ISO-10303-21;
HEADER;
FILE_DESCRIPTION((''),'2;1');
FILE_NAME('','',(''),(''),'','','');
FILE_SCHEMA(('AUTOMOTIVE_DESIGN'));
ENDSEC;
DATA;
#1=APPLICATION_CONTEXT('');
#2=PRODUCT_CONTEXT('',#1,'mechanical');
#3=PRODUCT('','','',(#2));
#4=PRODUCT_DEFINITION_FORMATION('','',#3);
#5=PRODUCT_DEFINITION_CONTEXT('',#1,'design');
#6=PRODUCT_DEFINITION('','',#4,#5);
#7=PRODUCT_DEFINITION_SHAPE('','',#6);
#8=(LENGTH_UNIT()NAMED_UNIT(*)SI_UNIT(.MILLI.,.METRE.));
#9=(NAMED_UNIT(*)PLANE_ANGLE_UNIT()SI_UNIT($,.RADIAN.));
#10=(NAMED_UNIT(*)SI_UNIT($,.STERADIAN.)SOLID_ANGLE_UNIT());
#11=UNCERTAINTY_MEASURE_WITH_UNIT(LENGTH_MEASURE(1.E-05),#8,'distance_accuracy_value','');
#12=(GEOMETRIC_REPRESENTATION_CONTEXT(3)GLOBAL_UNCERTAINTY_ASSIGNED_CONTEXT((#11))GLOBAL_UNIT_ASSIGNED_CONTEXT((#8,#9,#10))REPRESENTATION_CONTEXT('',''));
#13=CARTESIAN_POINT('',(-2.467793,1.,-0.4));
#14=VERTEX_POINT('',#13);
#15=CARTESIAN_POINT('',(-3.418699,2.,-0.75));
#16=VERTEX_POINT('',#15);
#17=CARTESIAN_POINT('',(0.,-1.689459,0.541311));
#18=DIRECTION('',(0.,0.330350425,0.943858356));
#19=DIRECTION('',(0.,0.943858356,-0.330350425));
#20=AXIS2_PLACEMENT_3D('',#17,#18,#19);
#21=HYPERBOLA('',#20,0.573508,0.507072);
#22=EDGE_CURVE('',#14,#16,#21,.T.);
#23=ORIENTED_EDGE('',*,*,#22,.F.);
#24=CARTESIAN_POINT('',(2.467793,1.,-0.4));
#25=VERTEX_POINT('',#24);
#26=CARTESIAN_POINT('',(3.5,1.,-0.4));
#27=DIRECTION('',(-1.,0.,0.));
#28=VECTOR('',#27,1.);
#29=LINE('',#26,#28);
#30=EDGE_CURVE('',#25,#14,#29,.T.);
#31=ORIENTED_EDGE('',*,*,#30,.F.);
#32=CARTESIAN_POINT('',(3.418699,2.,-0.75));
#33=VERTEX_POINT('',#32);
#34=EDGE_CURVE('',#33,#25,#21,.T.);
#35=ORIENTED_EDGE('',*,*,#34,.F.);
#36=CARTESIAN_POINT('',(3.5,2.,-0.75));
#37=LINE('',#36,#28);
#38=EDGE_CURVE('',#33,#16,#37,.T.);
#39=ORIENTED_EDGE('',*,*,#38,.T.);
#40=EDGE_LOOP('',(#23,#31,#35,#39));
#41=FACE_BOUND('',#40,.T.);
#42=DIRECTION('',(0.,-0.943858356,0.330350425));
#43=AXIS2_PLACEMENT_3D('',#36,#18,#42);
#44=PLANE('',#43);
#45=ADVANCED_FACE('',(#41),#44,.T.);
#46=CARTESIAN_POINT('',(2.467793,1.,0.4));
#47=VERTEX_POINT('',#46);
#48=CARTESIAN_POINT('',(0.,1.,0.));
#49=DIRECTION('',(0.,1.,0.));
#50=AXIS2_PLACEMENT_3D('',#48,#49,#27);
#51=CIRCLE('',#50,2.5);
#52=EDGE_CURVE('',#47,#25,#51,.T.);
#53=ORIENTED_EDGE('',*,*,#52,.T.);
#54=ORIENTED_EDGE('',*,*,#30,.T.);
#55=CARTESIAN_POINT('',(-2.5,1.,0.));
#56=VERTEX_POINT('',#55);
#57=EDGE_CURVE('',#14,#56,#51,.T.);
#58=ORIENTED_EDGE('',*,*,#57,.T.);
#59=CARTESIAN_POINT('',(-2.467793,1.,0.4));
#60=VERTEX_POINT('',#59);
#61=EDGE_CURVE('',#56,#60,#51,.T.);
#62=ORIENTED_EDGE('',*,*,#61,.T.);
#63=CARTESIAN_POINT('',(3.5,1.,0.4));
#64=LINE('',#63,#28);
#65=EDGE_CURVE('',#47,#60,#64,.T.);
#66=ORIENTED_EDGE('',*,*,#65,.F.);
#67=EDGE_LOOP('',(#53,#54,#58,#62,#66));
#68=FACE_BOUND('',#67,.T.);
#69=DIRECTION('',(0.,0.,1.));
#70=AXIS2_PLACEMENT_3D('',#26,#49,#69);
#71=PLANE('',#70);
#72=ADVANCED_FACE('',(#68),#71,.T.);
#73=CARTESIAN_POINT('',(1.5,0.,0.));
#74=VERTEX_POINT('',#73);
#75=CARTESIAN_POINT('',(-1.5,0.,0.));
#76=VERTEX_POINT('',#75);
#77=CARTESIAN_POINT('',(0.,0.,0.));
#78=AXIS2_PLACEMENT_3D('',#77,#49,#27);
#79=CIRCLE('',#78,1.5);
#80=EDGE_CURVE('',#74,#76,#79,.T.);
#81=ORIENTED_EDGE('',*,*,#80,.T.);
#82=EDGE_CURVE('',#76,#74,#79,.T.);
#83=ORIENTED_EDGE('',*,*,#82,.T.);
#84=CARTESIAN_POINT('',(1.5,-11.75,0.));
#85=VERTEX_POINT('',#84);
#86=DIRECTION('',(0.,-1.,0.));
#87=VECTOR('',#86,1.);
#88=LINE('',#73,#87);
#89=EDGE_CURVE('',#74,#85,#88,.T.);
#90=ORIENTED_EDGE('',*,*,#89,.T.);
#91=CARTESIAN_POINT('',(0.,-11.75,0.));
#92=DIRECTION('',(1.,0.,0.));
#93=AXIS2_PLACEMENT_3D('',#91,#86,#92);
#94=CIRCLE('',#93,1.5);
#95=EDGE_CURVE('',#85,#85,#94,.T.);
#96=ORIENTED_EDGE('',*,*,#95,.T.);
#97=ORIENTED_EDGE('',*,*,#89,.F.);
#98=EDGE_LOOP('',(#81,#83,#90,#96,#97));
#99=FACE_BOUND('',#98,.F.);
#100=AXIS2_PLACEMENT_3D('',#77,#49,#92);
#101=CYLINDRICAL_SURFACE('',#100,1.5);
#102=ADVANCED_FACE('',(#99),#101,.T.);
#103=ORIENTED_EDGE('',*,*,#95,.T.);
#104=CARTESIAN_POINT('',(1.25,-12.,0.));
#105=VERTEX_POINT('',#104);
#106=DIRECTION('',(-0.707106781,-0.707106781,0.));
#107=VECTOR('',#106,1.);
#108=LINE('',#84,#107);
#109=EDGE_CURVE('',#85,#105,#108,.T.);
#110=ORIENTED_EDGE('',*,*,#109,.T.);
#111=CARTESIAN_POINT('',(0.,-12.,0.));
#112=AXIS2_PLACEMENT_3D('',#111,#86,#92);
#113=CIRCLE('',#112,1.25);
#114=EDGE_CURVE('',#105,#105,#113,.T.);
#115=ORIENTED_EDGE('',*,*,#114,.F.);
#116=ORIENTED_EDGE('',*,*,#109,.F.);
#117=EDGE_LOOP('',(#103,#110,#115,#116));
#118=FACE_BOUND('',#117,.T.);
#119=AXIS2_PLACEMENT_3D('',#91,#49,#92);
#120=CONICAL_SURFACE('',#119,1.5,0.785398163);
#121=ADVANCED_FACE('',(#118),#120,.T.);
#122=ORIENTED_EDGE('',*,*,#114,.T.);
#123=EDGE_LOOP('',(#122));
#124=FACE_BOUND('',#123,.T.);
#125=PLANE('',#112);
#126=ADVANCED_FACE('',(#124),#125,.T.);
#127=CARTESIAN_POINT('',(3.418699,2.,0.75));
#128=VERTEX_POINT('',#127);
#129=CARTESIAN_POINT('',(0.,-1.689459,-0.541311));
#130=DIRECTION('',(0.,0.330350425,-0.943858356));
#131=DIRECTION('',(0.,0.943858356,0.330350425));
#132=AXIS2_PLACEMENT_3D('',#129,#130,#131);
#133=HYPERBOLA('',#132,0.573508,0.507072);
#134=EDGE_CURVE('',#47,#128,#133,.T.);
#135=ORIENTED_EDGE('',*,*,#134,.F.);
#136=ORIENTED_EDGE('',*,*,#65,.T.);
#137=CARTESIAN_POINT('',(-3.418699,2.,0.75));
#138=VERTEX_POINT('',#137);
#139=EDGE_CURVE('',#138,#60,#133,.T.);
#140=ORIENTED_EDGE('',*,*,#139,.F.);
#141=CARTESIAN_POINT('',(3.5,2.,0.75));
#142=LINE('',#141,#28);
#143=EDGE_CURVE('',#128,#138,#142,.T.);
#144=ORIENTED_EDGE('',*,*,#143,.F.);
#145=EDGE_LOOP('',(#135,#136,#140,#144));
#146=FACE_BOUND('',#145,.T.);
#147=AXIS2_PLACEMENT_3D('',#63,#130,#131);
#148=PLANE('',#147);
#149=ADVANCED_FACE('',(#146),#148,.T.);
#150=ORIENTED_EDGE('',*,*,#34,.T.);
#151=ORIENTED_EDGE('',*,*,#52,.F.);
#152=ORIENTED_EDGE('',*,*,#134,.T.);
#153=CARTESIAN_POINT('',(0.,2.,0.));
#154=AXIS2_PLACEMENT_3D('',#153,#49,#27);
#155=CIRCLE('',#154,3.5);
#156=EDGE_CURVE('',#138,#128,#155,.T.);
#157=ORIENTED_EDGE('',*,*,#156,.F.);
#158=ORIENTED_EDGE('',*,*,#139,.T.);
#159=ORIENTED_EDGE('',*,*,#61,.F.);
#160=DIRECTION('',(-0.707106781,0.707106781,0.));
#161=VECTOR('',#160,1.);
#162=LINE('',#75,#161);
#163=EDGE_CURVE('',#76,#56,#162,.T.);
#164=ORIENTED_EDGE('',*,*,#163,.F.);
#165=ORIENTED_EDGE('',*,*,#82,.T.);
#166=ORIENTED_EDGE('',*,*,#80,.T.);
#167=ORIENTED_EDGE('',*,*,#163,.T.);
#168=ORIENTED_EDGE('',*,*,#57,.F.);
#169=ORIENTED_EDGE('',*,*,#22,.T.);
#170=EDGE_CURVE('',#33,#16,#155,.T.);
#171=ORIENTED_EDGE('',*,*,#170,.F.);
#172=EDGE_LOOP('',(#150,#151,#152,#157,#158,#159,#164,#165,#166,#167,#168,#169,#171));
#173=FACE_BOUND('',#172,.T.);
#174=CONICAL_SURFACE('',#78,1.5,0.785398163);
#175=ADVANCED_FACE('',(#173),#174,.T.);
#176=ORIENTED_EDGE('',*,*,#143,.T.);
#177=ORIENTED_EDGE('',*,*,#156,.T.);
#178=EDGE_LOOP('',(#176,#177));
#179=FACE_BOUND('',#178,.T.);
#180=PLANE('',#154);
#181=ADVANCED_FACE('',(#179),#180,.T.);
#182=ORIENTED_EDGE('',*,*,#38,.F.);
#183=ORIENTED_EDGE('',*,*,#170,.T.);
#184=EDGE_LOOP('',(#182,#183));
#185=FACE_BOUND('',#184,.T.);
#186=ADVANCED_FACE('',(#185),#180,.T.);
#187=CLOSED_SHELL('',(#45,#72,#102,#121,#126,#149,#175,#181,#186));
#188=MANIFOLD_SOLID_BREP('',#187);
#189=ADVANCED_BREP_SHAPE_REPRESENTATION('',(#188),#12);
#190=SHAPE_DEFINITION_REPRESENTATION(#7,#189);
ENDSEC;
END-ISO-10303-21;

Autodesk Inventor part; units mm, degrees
ref_plane "XZ Plane" through (0, 0, 0) normal (0, 1, 0) x (-1, 0, 0)
ref_plane "XY Plane" through (0, 0, 0) normal (0, 0, 1) x (1, 0, 0)
sketch "草图1" plane through (0, 0, 0) normal (0, 0, 1) x (1, 0, 0)
  line L0 (-3.5, 2) -> (0, 2)
  line L1 (0, 2) -> (0, 0)
  line L2 (0, 0) -> (-1.5, 0)
  line L3 (-1.5, 0) -> (-3.5, 2)
  line L4 (0, -0.4) -> (0, 2.4) projected
  dimension "d0" = 3.5
  dimension "d1" = 2
  dimension "d2" = 1.5
revolve "旋转1" add sketch "草图1" angle 360 about axis through (0, -10, 0) along (0, 1, 0)
sketch "草图2" plane through (0, 0, 0) normal (0, -1, 0) x (1, 0, 0)
  circle A0 centre (0, 0) radius 1.5
  dimension "d4" = 3
extrude "拉伸1" add sketch "草图2" along normal blind 12
chamfer "倒角1" distance 0.25 angle 45 1 edges at (-1.5, -12, 0)
thread "螺纹1" size "M3x0.5" class "6g" standard "ANSI Metric M Profile" full length
ref_plane "工作平面1" through (3.5, 0, 0) normal (1, 0, 0) x (0, 1, 0)
sketch "草图3" plane through (3.5, 0, 0) normal (1, 0, 0) x (0, 1, 0)
  line L0 (2, -0.75) -> (1, -0.4)
  line L1 (1, -0.4) -> (1, 0.4)
  line L2 (2, -3.5) -> (2, 3.5) projected
  line L3 (1, 0.4) -> (2, 0.75)
  line L4 (2, 0.75) -> (2, -0.75)
  point P0 (0, 0)
  point P1 (2, 0)
  dimension "d13" = 1
  dimension "d14" = 0.8
  dimension "d15" = 1.5
extrude "拉伸2" cut sketch "草图3" against normal blind 7
properties part number "载板连接销固定螺丝"
